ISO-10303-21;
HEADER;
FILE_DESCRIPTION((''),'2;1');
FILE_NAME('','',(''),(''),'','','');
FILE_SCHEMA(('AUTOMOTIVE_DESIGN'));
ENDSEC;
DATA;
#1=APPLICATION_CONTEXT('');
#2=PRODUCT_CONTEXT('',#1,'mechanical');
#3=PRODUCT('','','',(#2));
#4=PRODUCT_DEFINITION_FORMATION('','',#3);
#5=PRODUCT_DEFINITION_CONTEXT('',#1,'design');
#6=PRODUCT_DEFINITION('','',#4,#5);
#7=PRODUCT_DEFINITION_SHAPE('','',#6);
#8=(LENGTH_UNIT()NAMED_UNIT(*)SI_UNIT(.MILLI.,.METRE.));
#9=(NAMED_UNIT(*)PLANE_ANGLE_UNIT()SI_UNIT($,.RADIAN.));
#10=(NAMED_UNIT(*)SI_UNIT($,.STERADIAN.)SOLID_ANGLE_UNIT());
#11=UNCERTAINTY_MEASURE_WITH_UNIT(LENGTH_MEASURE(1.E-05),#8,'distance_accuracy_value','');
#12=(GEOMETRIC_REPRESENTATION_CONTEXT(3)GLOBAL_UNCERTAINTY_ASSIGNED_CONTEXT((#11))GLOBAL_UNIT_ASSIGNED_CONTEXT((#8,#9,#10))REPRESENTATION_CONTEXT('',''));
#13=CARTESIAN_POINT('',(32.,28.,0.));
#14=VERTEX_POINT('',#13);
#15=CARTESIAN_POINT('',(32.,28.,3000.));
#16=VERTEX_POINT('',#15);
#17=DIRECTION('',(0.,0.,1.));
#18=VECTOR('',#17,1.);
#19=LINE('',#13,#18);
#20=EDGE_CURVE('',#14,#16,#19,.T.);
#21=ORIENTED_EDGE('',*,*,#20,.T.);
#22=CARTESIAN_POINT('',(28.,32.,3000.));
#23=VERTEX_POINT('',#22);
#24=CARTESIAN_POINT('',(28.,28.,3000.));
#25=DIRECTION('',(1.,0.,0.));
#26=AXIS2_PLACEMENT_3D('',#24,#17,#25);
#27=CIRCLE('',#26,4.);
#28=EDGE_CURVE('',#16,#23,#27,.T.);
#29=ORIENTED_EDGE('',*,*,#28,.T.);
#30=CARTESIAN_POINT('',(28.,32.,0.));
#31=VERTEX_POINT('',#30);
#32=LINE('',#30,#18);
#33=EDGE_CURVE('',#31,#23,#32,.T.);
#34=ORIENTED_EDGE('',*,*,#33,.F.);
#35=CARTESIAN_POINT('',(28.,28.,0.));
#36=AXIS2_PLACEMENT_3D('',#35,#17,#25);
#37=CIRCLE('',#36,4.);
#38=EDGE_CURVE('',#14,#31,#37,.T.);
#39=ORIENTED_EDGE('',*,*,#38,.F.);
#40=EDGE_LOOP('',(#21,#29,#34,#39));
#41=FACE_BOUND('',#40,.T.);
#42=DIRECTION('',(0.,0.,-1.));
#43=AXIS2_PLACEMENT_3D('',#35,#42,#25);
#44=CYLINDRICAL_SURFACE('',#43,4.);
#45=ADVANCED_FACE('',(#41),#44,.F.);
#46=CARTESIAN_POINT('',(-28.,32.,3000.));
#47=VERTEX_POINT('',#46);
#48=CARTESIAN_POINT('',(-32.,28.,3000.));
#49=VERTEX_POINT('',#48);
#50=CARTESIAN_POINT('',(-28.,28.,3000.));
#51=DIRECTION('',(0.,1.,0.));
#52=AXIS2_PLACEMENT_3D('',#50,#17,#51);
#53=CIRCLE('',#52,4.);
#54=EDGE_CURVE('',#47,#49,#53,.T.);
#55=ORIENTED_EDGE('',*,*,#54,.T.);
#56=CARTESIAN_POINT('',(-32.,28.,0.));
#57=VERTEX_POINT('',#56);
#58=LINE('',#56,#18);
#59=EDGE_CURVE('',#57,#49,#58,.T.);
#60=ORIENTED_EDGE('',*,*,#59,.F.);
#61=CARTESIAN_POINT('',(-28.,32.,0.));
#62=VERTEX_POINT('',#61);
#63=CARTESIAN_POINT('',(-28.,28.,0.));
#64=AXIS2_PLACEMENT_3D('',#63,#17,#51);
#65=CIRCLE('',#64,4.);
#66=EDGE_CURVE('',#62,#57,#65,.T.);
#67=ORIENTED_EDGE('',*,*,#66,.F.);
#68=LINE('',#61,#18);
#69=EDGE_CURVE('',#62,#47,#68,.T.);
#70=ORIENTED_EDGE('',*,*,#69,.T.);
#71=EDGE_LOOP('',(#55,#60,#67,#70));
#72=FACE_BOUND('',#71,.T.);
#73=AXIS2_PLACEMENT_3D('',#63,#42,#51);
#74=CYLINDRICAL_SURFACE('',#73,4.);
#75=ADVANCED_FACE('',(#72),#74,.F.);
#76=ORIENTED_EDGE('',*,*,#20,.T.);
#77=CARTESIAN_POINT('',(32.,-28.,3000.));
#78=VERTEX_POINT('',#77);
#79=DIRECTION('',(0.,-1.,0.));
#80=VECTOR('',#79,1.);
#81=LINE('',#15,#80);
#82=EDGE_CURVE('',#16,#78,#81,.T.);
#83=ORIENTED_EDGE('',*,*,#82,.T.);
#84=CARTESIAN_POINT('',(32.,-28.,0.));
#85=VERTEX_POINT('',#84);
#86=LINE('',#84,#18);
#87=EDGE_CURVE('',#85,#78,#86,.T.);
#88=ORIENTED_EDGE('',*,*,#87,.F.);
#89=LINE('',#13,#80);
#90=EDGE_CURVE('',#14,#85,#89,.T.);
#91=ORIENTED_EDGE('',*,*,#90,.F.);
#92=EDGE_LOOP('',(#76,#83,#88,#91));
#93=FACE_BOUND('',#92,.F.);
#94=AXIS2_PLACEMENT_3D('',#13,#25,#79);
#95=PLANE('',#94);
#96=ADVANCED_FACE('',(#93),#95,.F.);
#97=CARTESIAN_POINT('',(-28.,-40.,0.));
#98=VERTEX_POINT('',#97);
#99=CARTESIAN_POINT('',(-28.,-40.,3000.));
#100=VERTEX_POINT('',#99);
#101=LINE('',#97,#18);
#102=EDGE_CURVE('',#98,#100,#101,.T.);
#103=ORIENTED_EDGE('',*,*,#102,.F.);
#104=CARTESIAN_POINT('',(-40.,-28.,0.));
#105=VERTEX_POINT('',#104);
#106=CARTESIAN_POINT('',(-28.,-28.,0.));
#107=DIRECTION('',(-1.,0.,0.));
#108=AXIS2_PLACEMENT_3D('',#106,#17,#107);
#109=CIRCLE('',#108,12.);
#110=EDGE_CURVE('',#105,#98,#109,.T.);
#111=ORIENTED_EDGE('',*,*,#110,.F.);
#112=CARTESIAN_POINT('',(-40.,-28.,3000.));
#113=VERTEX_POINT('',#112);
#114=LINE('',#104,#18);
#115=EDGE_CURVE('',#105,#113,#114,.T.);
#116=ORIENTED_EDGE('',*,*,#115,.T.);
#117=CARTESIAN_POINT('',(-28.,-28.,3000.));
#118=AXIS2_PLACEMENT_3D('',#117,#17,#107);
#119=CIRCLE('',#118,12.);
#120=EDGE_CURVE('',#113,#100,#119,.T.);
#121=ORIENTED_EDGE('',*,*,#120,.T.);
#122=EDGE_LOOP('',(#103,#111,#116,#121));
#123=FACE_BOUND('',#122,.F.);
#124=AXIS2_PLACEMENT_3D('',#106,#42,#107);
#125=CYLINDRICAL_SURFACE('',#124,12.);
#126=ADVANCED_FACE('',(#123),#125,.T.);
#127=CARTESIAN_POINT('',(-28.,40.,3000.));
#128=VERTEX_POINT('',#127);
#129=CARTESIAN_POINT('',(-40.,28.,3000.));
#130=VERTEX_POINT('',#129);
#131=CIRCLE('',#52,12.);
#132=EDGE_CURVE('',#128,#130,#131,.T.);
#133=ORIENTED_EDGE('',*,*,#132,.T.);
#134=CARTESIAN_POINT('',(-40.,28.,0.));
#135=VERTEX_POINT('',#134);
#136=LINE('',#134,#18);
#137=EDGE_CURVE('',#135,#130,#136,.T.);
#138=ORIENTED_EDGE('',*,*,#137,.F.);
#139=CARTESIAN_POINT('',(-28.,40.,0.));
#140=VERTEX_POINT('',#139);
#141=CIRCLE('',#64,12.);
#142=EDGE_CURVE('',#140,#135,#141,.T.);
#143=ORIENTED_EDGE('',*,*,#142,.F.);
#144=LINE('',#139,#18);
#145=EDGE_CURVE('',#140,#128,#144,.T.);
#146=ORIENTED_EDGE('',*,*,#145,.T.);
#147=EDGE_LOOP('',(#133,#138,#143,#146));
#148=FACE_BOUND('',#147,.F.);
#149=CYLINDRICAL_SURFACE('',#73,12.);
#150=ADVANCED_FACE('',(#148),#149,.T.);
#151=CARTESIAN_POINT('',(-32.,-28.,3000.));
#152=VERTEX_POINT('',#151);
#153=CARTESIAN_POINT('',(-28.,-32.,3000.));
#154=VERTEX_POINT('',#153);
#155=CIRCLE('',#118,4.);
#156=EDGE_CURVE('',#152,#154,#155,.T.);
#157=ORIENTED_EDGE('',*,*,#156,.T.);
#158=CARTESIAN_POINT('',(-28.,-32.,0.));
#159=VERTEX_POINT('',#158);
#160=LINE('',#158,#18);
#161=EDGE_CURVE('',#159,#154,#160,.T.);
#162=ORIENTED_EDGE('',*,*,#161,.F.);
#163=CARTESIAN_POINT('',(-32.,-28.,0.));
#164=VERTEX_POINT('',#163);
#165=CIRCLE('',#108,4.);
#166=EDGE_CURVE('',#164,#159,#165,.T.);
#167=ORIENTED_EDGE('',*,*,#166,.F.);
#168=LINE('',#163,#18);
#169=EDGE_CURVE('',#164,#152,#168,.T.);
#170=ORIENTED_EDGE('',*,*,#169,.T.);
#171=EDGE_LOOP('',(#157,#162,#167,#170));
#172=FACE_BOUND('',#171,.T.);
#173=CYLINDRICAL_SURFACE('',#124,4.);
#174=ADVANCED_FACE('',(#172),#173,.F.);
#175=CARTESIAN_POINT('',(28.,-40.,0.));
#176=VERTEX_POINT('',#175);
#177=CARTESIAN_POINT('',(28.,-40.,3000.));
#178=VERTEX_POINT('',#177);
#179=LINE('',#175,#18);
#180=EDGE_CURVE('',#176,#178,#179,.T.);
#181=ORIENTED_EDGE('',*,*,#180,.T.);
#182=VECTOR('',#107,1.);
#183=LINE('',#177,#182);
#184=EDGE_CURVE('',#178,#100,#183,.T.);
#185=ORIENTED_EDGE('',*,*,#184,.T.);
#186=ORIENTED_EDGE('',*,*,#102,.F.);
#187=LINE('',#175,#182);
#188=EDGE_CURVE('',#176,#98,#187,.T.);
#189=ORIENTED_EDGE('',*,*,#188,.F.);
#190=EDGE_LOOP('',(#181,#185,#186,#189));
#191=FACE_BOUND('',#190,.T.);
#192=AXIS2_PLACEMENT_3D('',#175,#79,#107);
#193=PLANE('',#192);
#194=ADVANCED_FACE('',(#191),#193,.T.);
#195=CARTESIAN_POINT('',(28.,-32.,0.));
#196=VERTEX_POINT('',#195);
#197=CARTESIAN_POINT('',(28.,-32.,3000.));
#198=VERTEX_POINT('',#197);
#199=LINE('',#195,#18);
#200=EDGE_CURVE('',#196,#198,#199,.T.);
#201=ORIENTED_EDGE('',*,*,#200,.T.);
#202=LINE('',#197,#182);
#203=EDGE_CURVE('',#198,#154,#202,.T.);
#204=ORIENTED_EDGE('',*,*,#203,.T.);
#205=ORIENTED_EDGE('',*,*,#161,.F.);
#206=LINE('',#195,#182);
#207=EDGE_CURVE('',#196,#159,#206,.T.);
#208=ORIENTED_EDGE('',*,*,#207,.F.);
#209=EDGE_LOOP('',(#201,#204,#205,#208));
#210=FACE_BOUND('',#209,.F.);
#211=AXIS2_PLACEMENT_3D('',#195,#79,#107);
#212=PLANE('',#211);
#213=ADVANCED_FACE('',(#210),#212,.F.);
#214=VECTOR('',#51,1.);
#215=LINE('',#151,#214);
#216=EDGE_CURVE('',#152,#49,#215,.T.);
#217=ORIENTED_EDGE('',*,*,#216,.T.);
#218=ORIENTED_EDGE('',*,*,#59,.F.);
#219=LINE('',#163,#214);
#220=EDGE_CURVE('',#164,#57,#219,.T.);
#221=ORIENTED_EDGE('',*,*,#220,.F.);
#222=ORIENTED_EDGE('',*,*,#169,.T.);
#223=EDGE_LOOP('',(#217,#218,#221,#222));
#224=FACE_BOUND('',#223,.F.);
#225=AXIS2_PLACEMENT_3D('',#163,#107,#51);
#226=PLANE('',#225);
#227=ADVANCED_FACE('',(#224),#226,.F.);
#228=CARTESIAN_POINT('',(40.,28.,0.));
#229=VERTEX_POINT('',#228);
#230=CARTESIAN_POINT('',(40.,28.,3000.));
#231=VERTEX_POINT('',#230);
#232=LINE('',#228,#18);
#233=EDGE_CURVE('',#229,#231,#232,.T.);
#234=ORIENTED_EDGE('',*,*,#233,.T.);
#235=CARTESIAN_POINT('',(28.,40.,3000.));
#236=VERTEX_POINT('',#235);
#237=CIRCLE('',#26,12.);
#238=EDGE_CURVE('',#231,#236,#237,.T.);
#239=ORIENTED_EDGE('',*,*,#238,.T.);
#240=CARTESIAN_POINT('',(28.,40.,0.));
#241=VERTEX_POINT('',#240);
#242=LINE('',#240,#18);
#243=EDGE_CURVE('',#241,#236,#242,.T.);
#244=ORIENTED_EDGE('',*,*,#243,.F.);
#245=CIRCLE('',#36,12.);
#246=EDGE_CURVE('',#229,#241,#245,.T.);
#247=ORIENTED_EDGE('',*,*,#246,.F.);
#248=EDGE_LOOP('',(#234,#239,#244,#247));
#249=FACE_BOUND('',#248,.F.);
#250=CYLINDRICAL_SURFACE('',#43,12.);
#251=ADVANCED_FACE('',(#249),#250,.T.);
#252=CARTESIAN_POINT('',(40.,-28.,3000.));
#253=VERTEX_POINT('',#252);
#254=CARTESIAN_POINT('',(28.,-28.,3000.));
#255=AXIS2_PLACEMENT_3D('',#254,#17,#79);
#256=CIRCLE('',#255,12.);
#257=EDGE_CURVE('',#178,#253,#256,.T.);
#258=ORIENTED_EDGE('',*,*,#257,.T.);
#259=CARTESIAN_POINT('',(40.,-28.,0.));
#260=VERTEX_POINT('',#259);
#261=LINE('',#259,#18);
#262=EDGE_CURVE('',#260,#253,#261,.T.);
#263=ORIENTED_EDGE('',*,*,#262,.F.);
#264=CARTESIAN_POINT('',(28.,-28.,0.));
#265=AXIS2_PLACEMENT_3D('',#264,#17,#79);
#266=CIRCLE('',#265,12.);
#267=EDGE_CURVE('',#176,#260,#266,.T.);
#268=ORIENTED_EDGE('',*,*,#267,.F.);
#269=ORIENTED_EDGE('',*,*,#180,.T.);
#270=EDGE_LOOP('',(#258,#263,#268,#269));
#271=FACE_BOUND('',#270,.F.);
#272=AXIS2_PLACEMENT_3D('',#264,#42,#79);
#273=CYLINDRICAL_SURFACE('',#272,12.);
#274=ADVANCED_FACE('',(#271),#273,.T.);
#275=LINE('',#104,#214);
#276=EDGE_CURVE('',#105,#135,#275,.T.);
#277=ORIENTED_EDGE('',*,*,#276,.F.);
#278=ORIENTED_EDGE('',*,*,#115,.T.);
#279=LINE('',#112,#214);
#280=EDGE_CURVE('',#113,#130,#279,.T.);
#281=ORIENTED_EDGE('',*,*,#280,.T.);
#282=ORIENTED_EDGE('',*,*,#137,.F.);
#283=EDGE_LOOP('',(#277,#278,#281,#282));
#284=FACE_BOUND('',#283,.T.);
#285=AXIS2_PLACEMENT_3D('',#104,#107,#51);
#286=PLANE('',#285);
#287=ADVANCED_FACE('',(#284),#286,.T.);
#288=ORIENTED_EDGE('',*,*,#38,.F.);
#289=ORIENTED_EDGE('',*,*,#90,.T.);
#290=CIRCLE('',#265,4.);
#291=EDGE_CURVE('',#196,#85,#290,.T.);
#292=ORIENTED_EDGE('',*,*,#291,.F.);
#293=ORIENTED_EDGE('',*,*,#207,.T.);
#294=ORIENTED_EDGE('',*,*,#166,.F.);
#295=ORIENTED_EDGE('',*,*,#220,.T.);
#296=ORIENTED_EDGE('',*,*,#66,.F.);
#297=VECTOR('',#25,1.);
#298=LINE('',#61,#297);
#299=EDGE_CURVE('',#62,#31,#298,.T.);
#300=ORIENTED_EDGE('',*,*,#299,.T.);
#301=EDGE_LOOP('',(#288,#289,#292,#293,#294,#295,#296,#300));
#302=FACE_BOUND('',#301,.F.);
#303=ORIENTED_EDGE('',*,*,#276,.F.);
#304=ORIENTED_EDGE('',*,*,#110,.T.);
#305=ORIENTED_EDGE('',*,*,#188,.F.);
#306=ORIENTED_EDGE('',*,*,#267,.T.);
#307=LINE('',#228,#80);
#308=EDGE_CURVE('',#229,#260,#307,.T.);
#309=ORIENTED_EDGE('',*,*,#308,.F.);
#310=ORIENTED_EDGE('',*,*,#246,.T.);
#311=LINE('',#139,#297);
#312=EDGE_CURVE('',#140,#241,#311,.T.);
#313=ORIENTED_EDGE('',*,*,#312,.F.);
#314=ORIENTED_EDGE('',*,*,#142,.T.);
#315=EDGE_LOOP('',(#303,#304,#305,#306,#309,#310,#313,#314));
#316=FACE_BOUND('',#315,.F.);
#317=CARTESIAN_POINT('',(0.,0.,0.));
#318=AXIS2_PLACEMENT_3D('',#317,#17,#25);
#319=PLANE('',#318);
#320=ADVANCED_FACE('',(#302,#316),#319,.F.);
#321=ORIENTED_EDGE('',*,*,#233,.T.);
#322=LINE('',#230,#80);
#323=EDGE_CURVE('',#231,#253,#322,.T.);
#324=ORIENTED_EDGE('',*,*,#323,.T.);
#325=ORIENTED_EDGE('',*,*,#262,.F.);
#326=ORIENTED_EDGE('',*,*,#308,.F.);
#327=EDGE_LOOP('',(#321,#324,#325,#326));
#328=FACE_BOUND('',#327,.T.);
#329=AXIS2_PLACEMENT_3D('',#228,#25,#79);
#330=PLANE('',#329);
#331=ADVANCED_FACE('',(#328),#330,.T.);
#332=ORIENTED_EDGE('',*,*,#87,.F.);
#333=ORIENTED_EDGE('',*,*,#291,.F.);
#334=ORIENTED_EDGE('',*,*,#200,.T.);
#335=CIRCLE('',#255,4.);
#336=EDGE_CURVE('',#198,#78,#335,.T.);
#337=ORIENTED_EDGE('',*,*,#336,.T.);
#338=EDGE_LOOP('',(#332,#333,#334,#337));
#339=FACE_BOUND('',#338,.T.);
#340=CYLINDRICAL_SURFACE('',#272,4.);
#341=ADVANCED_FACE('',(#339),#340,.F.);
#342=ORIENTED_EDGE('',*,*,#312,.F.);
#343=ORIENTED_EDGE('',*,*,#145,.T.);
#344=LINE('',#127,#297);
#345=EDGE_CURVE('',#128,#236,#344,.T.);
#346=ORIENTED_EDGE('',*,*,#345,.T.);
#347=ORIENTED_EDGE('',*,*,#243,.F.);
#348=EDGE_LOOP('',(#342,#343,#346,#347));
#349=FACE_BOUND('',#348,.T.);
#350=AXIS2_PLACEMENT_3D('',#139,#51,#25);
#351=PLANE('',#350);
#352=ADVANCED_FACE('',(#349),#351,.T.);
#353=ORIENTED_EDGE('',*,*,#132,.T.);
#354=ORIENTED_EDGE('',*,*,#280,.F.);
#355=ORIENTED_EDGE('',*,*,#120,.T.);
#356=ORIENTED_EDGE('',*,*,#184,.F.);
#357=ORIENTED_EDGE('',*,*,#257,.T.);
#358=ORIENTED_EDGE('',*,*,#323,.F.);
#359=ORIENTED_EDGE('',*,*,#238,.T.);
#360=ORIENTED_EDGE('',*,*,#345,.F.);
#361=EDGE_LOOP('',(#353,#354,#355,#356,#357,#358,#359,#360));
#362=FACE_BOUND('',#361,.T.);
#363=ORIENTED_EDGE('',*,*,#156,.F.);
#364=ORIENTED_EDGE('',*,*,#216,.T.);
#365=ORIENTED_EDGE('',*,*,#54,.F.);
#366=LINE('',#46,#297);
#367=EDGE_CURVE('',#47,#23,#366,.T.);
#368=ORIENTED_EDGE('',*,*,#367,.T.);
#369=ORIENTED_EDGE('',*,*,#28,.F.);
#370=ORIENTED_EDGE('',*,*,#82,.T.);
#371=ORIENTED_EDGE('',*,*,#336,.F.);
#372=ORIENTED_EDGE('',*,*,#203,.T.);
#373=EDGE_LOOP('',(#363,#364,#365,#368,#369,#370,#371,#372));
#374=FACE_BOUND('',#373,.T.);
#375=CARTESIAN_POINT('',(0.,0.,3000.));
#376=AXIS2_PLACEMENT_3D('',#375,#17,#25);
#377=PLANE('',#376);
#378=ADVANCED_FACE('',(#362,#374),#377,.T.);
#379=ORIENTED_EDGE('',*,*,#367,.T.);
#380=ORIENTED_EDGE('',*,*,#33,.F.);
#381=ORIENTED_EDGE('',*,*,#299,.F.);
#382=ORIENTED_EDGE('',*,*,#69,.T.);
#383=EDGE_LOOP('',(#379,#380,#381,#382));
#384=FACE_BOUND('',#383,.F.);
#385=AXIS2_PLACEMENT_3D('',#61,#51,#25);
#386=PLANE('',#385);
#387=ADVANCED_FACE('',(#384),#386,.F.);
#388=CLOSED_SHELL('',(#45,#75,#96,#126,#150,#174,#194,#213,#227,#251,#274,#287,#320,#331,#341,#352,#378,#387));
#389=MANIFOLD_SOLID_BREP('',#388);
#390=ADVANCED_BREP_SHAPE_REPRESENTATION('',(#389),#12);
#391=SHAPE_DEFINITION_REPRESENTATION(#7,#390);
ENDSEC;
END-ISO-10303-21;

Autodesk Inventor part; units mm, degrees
ref_plane "YZ Plane" through (0, 0, 0) normal (1, 0, 0) x (0, 1, 0)
ref_plane "Start Plane" through (0, 0, 0) normal (0, 0, 1) x (1, 0, 0)
ref_plane "End Plane" through (0, 0, 3000) normal (0, 0, 1) x (1, 0, 0)
sketch "Sketch" plane through (0, 0, 0) normal (0, 0, 1) x (1, 0, 0)
  line L0 (-40, -28) -> (-40, 28)
  line L1 (-28, 40) -> (28, 40)
  line L2 (40, 28) -> (40, -28)
  line L3 (28, -40) -> (-28, -40)
  arc A0 (-40, -28) -> (-28, -40) centre (-28, -28) ccw
  arc A1 (-28, 40) -> (-40, 28) centre (-28, 28) ccw
  arc A2 (40, 28) -> (28, 40) centre (28, 28) ccw
  arc A3 (28, -40) -> (40, -28) centre (28, -28) ccw
  arc A4 (-28, 32) -> (-32, 28) centre (-28, 28) ccw
  line L4 (-28, 32) -> (28, 32)
  arc A5 (32, 28) -> (28, 32) centre (28, 28) ccw
  line L5 (32, 28) -> (32, -28)
  arc A6 (28, -32) -> (32, -28) centre (28, -28) ccw
  line L6 (28, -32) -> (-28, -32)
  arc A7 (-32, -28) -> (-28, -32) centre (-28, -28) ccw
  line L7 (-32, -28) -> (-32, 28)
  line L8 (0, 59.4794) -> (0, -59.4794) construction
  line L9 (-59.4794, 0) -> (59.4794, 0) construction
  dimension "d7" = 12
  dimension "d10" = 80
  dimension "d11" = 80
  dimension "d12" = 8
  dimension "d15" = 40
  dimension "d16" = 40
extrude "Body" add sketch "Sketch" along normal up to surface (3000 mm away) from surface at 0
sketch "Sketch3" plane through (0, 0, 0) normal (0, 0, 1) x (1, 0, 0)
  line L0 (0, 0) -> (10, 0)
ref_plane "Work Plane3" through (0, 0, 0) normal (0, -1, 0) x (1, 0, 0)
sketch "Sketch4" plane through (0, 0, 0) normal (0, -1, 0) x (1, 0, 0)
  line L0 (-2, 0) -> (12, 0) projected
  line L1 (-2, 3000) -> (12, 3000) projected
  dimension "d18" = 3000
equation "\"d7\" = G_IR"
equation "\"d10\" = G_H"
equation "\"d11\" = G_W"
equation "\"d12\" = G_T"
equation "\"d15\" = 0.5 * d10"
equation "\"d16\" = 0.5 * d11"
equation "\"d3\" = G_L"
equation "\"G_W\" = 80"
equation "\"G_H\" = 80"
equation "\"G_T\" = 8"
equation "\"G_IR\" = 12"
equation "\"G_L\" = d18"
equation "\"G_OFFSET_START\" = 0"
equation "\"G_OFFSET_END\" = 0"
properties part number "ISO 12633-2 - 80x80x8 - 3000" material "Steel, Mild"
